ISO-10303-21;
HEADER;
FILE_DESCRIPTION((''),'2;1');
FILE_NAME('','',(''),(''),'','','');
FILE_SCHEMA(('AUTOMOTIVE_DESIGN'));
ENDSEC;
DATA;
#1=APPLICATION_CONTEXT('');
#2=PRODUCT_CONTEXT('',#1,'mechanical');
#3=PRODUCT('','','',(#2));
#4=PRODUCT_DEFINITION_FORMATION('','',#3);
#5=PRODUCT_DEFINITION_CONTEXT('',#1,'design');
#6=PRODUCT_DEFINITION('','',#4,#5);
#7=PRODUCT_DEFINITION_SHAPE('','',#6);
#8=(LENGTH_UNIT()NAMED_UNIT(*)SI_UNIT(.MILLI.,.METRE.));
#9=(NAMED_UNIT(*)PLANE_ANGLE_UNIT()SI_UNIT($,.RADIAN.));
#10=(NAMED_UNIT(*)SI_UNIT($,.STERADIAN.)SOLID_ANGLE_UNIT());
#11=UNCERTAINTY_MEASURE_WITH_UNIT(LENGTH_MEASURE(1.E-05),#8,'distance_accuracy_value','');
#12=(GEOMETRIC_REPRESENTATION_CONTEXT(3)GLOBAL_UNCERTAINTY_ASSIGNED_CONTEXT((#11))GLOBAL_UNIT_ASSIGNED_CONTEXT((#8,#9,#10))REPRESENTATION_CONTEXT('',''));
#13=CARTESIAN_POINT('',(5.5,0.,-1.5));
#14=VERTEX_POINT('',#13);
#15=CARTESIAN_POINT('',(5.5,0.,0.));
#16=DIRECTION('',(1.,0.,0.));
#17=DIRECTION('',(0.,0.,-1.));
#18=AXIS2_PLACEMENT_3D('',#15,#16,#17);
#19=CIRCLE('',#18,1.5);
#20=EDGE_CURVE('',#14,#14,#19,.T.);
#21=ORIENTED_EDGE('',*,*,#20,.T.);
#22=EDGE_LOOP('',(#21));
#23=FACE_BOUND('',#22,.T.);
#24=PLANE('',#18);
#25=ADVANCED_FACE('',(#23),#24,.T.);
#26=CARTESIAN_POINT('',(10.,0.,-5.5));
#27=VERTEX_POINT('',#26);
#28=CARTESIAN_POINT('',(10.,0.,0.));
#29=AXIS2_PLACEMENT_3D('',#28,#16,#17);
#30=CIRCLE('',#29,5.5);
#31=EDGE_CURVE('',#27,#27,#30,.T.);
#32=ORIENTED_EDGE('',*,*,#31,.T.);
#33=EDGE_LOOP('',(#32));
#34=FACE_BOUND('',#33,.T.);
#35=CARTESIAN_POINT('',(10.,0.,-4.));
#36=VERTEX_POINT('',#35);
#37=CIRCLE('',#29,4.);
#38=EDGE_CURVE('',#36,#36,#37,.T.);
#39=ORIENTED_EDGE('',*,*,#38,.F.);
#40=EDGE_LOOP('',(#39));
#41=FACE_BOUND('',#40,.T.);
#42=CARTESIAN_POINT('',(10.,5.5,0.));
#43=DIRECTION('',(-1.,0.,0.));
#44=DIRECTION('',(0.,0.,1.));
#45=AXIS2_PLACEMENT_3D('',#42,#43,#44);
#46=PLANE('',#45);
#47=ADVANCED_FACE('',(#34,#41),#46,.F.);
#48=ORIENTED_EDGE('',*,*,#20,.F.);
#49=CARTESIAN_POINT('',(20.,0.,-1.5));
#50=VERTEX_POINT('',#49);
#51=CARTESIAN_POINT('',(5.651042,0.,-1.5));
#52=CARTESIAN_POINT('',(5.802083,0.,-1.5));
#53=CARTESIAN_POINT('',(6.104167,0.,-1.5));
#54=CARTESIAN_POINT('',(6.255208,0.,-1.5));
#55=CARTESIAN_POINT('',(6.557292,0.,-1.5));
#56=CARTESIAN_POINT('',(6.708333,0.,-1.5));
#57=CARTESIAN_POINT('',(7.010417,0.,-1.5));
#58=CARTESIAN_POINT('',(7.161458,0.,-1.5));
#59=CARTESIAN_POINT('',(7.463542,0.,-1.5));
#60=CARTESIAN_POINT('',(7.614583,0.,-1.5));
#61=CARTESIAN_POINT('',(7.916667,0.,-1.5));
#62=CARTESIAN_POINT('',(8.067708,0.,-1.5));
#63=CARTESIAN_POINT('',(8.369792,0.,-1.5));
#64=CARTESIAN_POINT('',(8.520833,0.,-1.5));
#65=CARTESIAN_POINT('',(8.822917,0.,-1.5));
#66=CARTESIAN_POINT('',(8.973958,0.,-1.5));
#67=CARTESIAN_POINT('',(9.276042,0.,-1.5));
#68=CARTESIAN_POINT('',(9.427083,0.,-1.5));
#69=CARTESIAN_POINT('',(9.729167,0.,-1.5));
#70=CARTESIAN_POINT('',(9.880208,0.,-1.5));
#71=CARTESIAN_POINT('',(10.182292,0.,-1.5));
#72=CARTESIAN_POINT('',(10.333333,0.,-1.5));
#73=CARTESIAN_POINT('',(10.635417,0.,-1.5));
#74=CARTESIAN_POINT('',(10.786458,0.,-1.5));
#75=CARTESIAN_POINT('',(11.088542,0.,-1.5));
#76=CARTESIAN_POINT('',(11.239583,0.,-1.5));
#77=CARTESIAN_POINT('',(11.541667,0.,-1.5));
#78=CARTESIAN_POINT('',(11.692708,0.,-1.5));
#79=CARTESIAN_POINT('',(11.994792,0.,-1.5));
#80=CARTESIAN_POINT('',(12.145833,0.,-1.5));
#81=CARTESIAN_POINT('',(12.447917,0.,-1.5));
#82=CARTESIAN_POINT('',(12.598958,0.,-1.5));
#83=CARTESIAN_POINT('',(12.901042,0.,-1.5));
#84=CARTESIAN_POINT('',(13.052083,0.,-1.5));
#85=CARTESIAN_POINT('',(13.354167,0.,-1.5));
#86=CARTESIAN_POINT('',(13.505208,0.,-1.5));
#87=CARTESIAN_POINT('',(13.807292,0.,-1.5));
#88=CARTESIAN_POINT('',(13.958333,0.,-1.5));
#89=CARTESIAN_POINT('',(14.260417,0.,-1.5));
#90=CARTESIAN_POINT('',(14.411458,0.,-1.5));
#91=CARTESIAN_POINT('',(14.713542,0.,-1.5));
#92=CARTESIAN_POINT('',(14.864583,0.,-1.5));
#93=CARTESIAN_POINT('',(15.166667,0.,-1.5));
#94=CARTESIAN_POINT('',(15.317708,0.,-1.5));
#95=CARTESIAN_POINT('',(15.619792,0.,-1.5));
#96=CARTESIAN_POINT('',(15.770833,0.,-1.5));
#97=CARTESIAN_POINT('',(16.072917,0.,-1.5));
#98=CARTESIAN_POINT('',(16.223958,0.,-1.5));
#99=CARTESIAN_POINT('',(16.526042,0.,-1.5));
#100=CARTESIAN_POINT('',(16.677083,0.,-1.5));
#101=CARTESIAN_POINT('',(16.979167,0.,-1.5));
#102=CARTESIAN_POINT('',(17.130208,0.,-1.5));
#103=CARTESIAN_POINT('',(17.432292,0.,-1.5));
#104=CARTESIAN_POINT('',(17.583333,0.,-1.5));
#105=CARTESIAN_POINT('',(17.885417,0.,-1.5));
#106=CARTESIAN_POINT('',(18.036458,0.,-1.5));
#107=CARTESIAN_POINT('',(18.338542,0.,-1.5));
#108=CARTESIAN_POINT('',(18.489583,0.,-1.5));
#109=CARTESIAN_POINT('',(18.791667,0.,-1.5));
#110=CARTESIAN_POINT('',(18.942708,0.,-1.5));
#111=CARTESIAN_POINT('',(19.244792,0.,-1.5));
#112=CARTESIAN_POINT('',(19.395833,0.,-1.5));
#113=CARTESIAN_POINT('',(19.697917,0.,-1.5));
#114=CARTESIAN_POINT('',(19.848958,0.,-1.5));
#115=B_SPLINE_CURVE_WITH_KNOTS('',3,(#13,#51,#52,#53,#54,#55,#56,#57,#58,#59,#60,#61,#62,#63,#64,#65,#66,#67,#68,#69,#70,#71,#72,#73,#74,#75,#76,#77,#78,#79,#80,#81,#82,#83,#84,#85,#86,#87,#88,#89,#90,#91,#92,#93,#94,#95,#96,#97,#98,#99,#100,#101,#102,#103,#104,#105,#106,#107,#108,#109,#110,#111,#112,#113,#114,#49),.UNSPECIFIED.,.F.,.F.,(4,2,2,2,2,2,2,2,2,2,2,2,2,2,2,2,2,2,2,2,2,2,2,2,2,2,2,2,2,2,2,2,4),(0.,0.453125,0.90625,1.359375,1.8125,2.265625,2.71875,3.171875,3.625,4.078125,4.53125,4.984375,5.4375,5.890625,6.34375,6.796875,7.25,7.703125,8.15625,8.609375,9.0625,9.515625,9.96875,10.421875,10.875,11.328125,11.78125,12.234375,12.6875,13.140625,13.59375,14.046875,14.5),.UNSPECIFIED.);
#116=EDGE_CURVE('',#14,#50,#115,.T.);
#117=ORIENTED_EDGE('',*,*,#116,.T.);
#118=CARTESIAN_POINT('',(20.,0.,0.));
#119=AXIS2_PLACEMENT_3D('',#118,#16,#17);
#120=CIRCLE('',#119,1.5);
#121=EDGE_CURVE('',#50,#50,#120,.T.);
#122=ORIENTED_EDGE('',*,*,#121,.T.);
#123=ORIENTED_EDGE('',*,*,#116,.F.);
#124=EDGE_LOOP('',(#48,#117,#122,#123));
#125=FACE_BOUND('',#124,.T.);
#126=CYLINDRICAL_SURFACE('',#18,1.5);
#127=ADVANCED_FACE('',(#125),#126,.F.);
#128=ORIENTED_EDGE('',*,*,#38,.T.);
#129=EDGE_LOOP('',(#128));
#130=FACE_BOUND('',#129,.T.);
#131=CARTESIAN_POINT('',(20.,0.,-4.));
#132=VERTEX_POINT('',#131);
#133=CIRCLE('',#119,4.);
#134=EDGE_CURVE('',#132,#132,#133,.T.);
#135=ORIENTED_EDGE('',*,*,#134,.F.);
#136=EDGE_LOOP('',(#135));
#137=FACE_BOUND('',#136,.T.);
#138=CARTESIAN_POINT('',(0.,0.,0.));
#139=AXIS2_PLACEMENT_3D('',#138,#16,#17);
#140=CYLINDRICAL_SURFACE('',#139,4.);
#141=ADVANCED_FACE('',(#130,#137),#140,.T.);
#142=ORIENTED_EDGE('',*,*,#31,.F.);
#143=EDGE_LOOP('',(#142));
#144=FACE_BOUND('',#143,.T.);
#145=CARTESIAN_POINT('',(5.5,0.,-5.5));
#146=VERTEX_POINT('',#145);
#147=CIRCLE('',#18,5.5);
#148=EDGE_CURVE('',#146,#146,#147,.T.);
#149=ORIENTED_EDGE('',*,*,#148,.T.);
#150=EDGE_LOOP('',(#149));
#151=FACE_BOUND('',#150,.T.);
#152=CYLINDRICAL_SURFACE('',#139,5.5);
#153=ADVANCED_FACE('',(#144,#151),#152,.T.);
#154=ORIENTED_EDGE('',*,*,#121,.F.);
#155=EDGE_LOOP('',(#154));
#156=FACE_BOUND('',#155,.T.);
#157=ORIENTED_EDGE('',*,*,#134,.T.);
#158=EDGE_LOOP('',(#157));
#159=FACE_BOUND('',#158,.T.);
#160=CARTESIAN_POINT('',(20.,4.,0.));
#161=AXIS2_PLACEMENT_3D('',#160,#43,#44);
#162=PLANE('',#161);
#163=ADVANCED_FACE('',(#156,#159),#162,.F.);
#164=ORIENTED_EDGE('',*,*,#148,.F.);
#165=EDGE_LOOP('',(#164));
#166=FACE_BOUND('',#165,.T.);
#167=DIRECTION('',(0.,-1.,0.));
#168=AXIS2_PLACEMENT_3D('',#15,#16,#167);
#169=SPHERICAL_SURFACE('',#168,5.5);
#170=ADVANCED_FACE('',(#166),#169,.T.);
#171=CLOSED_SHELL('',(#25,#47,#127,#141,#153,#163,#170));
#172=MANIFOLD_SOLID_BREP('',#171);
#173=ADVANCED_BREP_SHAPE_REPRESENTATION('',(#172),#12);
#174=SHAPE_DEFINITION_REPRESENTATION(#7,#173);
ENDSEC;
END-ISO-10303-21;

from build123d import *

# Parameters (mm, degrees)
SKETCH4_R          = 1.5
CUT_EXTRUDE1_DEPTH = 14.5


with BuildPart() as part:
    # Sketch3 → Revolve1 (revolve)
    with BuildSketch(Plane.XY, mode=Mode.PRIVATE) as revolve1_sk:
        with BuildLine():
            Line((5.5, 5.5), (10, 5.5))
            Line((10, 5.5), (10, 4))
            Line((10, 4), (20, 4))
            Line((20, 4), (20, 0))
            Line((20, 0), (0, 0))
            ThreePointArc((0, 0), (1.610912703, 3.889087297), (5.5, 5.5))
        make_face()
    revolve(revolve1_sk.sketch.rotate(Axis((0, 0, 0), (-1, 0, 0)), 90), axis=Axis((0, 0, 0), (-1, 0, 0)))

    # Sketch4 → Cut-Extrude1 (cut)
    with BuildSketch(Plane(origin=(20, 0, 0), x_dir=(0, 0, -1), z_dir=(1, 0, 0))):
        Circle(SKETCH4_R)
    extrude(amount=-CUT_EXTRUDE1_DEPTH, mode=Mode.SUBTRACT)


solid = part.part
